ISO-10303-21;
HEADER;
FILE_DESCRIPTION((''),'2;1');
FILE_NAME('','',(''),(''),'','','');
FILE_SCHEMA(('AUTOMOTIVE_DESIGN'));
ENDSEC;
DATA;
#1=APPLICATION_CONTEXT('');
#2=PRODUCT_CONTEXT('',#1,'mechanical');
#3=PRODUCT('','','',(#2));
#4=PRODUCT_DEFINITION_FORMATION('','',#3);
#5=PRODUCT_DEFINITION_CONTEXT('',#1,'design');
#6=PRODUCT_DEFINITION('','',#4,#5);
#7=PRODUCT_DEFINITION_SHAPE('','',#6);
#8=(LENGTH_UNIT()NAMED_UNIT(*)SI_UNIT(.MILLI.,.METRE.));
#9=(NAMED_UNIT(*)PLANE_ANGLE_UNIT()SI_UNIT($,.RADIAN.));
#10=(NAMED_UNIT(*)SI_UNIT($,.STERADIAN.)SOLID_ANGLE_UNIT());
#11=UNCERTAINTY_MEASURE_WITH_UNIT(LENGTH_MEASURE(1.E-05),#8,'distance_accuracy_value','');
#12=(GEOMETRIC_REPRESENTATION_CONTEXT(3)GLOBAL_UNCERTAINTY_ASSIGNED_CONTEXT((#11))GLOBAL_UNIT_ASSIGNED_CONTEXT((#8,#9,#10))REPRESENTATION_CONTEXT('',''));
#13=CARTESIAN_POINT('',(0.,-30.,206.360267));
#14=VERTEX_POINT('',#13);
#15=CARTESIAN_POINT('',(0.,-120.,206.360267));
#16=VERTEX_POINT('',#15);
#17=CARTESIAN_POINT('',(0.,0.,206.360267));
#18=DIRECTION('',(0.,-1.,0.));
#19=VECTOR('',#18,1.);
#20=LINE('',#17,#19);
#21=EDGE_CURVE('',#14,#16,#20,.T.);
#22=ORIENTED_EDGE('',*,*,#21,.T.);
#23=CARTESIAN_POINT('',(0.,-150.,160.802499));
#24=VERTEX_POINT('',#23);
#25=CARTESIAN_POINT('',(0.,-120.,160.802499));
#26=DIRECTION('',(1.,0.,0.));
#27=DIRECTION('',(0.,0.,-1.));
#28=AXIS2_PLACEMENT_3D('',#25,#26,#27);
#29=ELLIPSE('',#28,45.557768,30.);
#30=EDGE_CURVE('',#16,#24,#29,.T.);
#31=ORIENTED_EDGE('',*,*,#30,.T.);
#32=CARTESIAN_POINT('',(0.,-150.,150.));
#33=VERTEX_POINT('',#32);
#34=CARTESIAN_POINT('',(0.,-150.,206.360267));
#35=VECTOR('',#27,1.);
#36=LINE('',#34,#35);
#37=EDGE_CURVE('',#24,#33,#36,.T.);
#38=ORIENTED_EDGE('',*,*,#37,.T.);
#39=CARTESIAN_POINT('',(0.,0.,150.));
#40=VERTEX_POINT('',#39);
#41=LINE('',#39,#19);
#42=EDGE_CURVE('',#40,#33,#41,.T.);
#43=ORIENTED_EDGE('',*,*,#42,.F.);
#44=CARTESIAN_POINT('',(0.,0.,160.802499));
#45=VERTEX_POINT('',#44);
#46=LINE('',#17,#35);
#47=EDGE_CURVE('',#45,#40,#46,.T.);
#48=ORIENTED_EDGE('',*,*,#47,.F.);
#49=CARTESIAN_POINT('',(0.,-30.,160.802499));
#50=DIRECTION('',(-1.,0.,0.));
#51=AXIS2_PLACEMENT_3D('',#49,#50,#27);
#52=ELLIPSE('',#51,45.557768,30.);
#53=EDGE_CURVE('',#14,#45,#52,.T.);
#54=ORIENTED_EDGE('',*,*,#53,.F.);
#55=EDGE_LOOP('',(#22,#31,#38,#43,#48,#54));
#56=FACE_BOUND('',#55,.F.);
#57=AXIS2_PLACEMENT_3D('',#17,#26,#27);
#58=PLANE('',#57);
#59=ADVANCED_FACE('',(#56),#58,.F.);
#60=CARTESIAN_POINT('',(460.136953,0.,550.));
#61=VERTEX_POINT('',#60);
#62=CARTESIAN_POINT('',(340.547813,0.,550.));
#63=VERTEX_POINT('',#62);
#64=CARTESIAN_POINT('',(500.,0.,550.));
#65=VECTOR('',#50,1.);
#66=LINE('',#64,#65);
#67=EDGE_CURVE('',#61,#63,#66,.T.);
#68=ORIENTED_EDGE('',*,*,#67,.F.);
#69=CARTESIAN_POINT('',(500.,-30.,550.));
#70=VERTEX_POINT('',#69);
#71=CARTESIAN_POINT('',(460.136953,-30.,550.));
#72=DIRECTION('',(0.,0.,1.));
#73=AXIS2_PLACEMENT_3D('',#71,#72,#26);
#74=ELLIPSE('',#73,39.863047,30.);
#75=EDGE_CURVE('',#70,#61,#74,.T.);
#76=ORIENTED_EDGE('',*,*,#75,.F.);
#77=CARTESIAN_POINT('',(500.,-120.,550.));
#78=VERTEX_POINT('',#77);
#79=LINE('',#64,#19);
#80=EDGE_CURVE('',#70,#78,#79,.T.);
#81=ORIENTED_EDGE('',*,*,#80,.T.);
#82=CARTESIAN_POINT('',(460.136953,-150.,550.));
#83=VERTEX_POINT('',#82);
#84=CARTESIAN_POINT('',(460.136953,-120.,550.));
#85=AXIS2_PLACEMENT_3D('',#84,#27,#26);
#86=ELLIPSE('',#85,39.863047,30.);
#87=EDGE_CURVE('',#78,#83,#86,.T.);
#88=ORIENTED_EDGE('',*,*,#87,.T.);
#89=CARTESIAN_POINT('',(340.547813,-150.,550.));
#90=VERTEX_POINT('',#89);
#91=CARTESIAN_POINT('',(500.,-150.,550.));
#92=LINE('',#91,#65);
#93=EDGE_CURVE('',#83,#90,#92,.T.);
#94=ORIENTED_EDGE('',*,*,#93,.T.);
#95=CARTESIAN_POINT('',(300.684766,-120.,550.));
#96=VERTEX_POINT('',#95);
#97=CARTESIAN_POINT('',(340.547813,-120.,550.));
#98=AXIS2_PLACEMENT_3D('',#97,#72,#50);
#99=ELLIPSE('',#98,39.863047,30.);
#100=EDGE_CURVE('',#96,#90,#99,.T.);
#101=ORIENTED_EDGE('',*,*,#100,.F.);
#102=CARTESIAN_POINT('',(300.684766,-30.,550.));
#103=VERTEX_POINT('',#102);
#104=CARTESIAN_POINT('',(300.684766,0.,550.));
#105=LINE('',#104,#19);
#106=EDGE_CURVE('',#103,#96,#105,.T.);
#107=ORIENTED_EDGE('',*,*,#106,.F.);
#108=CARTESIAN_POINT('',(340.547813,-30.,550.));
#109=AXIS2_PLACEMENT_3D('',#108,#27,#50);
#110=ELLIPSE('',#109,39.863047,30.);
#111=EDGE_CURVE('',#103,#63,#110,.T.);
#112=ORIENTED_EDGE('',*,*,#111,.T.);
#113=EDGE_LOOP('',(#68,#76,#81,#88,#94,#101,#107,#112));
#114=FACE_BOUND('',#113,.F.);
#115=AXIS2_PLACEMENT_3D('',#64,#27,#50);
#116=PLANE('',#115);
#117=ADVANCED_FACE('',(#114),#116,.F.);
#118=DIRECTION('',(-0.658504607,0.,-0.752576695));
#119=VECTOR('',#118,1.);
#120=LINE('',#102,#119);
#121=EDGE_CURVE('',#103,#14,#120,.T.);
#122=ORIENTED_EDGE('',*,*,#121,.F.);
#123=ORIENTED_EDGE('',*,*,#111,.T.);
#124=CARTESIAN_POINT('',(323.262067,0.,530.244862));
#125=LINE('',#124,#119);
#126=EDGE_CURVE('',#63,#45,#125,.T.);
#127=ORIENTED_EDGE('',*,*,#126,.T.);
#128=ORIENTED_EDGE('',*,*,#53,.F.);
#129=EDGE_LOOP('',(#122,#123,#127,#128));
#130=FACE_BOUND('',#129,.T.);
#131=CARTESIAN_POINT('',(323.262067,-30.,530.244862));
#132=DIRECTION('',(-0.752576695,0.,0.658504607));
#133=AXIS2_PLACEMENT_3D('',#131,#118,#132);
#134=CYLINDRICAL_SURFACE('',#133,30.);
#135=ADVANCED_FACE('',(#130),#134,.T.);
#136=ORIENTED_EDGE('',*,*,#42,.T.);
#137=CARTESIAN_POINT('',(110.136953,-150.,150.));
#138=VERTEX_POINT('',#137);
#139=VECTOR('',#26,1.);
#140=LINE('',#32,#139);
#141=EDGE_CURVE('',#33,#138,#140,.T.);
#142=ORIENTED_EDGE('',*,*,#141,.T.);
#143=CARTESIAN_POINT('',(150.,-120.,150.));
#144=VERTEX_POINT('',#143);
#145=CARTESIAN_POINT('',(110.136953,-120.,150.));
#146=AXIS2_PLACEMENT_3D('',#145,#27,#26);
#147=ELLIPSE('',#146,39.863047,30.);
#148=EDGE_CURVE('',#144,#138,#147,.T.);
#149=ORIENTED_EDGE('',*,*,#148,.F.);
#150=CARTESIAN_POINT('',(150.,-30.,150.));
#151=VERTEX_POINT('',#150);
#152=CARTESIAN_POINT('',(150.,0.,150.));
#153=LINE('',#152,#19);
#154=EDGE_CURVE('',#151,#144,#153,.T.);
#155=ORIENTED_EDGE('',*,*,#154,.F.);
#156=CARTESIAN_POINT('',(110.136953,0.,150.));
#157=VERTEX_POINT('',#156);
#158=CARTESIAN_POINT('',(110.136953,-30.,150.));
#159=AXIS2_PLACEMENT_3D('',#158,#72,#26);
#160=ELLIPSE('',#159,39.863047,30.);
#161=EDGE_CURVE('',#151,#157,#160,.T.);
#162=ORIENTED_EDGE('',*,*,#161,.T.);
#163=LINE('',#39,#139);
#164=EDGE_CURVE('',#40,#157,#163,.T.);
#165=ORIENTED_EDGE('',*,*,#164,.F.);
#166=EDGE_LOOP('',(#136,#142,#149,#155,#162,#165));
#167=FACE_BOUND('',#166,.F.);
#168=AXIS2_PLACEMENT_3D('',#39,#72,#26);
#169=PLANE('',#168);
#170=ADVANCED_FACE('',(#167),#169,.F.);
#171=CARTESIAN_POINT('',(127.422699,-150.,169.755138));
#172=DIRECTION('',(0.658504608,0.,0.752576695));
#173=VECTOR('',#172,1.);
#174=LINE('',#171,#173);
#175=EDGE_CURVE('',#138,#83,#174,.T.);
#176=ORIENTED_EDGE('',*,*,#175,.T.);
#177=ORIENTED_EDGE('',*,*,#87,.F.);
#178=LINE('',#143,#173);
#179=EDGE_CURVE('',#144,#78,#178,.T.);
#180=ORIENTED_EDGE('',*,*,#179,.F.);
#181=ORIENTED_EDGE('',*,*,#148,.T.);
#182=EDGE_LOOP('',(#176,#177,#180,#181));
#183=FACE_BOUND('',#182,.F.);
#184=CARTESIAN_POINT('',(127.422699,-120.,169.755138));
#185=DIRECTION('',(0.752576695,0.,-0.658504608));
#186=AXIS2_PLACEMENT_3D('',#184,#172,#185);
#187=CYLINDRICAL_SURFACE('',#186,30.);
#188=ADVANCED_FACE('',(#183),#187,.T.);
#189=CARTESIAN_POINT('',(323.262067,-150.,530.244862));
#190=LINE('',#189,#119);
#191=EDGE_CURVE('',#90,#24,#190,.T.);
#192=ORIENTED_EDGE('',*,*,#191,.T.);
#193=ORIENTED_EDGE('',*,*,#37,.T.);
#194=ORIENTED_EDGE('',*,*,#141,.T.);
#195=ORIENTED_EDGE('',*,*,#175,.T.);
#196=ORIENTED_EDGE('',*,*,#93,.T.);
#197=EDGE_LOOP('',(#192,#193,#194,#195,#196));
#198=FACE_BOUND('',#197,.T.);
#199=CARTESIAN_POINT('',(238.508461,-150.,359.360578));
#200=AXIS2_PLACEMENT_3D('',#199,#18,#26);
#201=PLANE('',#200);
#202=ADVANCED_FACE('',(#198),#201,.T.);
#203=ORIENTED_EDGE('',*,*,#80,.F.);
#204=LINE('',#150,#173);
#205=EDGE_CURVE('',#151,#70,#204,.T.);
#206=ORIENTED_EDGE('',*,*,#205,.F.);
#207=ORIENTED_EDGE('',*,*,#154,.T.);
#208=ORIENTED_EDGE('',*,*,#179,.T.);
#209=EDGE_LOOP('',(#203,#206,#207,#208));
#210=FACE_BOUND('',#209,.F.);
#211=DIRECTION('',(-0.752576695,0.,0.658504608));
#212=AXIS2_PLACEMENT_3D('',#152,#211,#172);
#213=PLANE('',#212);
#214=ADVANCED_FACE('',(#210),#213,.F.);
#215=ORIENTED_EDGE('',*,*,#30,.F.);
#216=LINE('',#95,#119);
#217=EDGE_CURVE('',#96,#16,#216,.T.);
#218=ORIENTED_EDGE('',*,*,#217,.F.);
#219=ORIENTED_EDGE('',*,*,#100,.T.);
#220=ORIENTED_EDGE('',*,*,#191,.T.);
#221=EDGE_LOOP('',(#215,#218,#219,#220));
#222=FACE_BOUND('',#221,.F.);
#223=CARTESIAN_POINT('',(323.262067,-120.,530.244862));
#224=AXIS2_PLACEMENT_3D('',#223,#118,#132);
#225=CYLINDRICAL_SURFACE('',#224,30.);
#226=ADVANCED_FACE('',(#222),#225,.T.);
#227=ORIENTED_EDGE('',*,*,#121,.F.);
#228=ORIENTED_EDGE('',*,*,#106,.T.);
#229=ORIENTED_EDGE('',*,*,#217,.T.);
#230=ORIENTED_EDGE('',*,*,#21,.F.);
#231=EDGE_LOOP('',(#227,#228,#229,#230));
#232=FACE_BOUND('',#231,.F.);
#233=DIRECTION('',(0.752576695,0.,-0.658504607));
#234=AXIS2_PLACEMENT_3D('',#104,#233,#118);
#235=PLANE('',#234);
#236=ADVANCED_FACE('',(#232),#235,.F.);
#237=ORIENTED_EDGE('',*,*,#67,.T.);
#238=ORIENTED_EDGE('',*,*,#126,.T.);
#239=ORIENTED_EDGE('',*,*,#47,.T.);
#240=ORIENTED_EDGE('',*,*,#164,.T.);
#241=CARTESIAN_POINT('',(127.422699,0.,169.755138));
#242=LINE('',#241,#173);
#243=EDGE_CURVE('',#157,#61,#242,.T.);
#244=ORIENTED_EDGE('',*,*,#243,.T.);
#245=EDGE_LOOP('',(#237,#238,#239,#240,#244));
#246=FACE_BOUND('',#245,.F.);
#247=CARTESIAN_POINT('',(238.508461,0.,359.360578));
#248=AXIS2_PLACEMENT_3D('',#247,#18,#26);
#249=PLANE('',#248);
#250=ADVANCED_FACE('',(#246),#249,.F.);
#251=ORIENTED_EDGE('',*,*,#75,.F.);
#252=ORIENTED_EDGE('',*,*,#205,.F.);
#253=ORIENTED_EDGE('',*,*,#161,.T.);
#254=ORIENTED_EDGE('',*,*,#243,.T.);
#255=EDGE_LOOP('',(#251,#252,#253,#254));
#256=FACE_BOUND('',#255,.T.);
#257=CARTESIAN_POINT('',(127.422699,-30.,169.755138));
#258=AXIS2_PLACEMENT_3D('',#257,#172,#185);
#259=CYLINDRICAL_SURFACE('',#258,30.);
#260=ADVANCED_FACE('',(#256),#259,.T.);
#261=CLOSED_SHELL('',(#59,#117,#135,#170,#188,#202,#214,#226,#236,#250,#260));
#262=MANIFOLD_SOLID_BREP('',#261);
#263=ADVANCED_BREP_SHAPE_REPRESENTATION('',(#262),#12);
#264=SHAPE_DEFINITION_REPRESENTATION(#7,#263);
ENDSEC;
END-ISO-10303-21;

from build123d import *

# Parameters (mm, degrees)
F1_DEPTH = 150
F2_R     = 30


with BuildPart() as f1:
    # F0 (on Front) → F1 (new body)
    with BuildSketch(Plane.XZ):
        Polygon((0, 206.360267), (0, 150), (150, 150), (500, 550), (350, 550), (300.684766, 550), align=None)
    extrude(amount=F1_DEPTH)

    # F2
    f2_edges = [f1.edges().sort_by_distance(p)[0] for p in [
        (150.342383, -150, 378.180134),
        (325, -150, 350),
        (325, 0, 350),
        (150.342383, 0, 378.180134),
    ]]
    fillet(f2_edges, radius=F2_R)


solid = f1.part
